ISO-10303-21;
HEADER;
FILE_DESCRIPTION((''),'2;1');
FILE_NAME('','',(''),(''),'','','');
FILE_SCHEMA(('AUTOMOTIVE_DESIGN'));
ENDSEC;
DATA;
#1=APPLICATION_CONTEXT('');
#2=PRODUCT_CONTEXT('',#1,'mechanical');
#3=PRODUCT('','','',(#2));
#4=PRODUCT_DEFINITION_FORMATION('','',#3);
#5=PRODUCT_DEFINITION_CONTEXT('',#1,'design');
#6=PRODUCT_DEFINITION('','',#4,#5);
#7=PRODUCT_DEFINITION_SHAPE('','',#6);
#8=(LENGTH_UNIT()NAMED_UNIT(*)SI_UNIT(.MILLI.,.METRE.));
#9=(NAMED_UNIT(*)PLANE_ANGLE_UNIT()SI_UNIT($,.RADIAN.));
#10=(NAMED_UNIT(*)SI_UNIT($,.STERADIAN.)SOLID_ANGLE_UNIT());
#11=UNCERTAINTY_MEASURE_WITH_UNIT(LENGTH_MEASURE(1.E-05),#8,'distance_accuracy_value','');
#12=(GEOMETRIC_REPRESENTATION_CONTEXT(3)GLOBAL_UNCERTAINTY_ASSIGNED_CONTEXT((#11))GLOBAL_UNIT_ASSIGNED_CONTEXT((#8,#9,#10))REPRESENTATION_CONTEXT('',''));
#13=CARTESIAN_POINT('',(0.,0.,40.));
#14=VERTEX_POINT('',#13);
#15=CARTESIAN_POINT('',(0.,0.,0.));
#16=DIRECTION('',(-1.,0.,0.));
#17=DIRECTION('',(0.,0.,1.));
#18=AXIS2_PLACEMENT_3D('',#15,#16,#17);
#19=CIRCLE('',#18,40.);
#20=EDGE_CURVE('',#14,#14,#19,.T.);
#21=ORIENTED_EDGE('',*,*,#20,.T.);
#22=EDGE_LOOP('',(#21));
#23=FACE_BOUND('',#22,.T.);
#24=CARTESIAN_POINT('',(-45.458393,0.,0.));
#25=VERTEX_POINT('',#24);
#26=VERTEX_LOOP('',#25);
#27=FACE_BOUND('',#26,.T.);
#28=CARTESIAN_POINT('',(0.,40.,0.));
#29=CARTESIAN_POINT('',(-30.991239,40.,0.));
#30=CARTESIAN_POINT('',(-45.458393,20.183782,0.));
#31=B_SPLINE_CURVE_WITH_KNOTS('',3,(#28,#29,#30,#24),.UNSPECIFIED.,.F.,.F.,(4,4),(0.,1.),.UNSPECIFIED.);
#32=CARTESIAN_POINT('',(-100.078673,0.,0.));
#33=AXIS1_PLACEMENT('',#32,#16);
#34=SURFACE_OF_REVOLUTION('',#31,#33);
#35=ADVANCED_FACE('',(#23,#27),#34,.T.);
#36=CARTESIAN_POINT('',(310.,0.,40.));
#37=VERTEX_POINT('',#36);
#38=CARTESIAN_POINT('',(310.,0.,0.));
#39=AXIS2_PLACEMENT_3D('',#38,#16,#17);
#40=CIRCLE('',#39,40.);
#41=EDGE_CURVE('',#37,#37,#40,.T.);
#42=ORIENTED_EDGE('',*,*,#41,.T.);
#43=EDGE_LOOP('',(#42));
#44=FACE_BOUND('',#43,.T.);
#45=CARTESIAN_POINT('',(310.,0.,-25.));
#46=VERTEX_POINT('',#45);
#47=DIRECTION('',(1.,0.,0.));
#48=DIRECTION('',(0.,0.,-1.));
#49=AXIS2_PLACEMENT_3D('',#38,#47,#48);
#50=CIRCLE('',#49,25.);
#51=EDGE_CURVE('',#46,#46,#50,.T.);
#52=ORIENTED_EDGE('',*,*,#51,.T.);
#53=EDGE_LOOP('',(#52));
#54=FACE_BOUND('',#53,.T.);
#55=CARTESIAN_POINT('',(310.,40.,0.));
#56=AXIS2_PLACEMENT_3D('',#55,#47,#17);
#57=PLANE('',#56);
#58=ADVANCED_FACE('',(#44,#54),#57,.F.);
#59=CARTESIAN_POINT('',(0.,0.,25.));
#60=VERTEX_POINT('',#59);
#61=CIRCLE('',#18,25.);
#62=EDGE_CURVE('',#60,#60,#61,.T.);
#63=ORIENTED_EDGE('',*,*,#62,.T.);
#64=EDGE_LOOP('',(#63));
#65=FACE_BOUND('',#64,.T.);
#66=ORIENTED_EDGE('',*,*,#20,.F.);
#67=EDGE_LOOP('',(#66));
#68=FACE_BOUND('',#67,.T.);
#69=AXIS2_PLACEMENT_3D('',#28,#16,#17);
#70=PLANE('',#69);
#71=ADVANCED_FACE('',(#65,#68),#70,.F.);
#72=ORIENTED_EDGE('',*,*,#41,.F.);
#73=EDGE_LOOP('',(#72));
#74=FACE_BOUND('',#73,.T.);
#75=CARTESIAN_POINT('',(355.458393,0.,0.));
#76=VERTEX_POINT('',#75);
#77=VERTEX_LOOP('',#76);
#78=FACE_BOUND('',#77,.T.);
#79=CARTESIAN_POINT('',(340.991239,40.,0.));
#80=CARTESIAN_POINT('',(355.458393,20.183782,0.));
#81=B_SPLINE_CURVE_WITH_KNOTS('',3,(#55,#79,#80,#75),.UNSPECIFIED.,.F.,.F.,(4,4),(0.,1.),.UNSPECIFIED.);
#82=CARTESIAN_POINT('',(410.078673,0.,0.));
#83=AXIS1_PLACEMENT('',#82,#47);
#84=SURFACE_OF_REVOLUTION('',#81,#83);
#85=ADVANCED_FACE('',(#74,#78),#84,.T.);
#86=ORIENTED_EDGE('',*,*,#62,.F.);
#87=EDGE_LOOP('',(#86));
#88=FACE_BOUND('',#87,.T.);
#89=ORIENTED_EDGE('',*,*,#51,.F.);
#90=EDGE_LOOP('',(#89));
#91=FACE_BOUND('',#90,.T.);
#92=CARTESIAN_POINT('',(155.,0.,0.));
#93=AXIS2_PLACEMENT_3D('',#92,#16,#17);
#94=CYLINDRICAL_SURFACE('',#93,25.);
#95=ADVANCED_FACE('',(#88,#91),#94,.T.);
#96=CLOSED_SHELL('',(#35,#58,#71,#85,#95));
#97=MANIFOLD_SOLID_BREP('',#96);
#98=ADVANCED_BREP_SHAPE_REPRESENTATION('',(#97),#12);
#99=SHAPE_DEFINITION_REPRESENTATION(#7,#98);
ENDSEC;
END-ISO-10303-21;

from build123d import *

# Parameters (mm, degrees)
SKETCH1_R           = 25
BOSS_EXTRUDE1_DEPTH = 155


with BuildPart() as part:
    # Sketch1 → Boss-Extrude1 (new body)
    with BuildSketch(Plane(origin=(0, 0, 0), x_dir=(0, 0, -1), z_dir=(1, 0, 0))):
        Circle(SKETCH1_R)
    boss_extrude1 = extrude(amount=BOSS_EXTRUDE1_DEPTH)

    # Sketch3 → Revolve1 (revolve)
    with BuildSketch(Plane.XY, mode=Mode.PRIVATE) as revolve1_sk:
        with BuildLine():
            Line((0, 0), (-45.458392513, 0))
            add(Edge.make_bspline(
                [(-45.458392513, 0), (-45.458392513, 20.183781855), (-30.991238831, 40), (0, 40)],
                knots=[0, 0, 0, 0, 1, 1, 1, 1], degree=3))
            Line((0, 40), (0, 0))
        make_face()
    revolve1 = revolve(revolve1_sk.sketch.rotate(Axis((-100.078673334, 0, 0), (1, 0, 0)), 90), axis=Axis((-100.078673334, 0, 0), (1, 0, 0)))

    # Mirror1: Boss-Extrude1, Revolve1 across plane
    add(boss_extrude1.mirror(Plane(origin=(155, 0, 0), x_dir=(0, 0, 1), z_dir=(1, 0, 0))))
    add(revolve1.mirror(Plane(origin=(155, 0, 0), x_dir=(0, 0, 1), z_dir=(1, 0, 0))))


solid = part.part
